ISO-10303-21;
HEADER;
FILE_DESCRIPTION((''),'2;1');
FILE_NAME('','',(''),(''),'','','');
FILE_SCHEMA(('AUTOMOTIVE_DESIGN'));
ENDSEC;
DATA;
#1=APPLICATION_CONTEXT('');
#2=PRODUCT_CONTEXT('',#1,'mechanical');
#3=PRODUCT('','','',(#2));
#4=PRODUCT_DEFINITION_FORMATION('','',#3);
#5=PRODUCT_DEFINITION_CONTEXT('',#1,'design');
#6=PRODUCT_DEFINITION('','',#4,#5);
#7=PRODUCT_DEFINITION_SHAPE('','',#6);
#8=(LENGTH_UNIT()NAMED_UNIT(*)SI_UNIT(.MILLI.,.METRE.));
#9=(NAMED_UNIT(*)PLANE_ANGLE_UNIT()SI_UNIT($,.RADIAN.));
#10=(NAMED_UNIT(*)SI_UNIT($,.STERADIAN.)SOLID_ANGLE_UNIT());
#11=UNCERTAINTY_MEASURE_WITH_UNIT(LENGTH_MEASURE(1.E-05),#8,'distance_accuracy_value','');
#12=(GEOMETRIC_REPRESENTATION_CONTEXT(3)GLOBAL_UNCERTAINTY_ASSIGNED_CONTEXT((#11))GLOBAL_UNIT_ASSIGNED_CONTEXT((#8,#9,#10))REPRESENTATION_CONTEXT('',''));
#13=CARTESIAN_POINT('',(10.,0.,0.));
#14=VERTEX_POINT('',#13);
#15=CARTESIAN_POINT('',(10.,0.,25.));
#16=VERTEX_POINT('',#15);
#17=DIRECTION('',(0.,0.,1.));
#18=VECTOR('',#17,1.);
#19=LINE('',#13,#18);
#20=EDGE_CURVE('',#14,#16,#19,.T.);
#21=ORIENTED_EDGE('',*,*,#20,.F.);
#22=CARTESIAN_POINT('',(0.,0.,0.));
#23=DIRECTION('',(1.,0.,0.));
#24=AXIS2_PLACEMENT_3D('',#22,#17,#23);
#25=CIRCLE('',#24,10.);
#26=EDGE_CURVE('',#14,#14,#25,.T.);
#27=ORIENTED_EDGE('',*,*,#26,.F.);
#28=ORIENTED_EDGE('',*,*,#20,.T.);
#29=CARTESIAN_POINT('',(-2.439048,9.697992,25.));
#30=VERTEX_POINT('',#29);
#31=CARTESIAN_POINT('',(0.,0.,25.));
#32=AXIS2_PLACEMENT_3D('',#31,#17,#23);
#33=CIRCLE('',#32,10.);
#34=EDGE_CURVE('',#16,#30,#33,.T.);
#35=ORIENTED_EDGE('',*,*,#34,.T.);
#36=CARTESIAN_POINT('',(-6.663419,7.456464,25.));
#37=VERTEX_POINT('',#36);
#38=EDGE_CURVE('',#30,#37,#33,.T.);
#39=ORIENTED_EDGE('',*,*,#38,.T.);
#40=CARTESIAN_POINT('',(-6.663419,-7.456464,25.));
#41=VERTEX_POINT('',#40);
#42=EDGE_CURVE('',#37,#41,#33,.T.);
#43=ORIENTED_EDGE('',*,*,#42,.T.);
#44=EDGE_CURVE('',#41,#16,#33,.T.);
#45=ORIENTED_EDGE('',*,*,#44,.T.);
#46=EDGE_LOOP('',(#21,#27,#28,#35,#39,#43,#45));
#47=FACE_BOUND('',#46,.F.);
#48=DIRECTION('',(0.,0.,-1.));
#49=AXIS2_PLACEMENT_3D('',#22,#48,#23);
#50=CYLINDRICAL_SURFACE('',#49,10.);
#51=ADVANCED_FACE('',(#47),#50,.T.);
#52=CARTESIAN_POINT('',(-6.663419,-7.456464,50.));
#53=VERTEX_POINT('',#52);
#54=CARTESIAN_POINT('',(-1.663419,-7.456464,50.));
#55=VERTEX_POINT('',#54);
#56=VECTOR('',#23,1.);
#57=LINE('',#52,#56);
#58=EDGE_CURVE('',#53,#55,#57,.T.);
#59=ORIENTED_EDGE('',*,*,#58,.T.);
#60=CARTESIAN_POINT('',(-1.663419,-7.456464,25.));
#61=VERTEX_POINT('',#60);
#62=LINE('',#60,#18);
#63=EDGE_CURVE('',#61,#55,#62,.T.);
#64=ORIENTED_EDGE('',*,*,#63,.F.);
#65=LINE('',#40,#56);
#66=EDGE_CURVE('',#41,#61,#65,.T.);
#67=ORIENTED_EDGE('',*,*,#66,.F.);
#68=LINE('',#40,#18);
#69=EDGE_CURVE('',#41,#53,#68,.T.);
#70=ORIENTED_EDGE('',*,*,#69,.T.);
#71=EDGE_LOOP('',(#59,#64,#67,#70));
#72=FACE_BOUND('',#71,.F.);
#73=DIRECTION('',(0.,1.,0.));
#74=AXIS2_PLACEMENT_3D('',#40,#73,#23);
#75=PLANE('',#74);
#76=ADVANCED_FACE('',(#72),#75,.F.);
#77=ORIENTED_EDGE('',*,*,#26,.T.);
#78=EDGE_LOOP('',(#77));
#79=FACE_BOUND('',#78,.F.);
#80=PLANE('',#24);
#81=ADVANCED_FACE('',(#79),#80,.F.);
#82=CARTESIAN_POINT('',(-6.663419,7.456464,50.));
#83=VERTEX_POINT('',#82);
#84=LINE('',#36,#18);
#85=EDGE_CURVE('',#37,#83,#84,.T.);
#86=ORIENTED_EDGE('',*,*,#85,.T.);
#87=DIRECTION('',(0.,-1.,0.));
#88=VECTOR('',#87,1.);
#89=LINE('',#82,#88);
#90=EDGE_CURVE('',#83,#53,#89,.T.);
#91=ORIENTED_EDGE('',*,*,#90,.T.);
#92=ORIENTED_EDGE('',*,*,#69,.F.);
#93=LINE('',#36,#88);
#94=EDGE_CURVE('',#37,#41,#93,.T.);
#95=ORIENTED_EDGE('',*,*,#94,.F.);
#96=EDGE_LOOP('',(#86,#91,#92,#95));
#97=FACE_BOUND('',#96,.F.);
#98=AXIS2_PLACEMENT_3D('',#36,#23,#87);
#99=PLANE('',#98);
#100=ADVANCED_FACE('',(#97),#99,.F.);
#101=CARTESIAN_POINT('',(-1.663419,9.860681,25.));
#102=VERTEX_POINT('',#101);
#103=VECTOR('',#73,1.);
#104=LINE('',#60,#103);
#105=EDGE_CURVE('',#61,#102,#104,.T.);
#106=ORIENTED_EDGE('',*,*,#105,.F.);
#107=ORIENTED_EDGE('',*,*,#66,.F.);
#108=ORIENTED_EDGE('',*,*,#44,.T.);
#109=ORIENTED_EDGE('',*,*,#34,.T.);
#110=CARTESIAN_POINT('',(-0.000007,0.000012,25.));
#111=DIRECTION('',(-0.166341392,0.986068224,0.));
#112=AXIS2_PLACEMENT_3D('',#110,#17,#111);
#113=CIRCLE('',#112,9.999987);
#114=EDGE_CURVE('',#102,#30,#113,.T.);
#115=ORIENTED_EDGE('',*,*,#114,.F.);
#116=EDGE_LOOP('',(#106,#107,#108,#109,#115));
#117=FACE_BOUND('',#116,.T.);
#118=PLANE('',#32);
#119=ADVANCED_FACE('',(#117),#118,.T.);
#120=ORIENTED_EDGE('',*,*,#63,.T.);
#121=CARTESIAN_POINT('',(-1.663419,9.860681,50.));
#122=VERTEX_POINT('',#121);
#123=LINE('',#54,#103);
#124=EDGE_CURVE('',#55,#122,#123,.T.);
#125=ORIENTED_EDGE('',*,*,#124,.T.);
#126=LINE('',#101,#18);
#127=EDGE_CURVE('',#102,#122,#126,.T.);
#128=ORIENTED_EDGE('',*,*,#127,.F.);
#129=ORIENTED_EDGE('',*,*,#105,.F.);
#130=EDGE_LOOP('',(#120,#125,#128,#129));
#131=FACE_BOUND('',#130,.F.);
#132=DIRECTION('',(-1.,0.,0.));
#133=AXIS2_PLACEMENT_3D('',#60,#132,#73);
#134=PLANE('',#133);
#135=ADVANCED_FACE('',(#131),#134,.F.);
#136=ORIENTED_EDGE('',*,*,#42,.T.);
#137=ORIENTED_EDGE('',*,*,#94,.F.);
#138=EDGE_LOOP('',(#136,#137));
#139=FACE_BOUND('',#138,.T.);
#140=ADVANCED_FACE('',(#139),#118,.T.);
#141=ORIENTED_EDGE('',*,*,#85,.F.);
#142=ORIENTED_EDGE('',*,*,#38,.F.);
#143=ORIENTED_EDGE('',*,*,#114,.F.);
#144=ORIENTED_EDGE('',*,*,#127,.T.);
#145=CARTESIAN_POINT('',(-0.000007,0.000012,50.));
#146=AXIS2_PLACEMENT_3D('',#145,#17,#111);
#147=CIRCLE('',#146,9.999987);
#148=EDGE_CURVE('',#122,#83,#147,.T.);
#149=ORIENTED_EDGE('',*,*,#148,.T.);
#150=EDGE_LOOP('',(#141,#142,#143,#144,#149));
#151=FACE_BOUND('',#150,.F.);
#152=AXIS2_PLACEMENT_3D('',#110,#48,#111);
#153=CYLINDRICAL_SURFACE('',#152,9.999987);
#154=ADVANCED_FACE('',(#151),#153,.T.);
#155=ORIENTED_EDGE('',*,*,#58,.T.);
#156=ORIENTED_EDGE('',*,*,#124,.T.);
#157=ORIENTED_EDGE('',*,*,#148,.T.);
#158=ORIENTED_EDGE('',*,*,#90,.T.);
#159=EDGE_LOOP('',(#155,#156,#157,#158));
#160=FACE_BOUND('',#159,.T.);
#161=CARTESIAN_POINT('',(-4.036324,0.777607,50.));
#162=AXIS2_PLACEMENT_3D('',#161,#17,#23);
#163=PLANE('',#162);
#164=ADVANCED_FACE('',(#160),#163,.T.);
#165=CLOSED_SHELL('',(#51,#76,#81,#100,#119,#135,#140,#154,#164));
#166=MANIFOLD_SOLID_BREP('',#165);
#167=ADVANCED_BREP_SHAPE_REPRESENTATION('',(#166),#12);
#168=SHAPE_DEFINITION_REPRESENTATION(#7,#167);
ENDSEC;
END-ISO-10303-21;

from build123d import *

# Parameters (mm, degrees)
F0_R     = 10
F1_DEPTH = 25
F3_DEPTH = 25


with BuildPart() as f1:
    # F0 (on Top) → F1 (new body)
    with BuildSketch(Plane.XY):
        Circle(F0_R)
    extrude(amount=F1_DEPTH)

    # F2 (on face) → F3 (join)
    with BuildSketch(Plane.XY.offset(25)):
        with BuildLine():
            Line((-6.663419, 7.456464), (-6.663419, -7.456464))
            Line((-6.663419, -7.456464), (-1.663419, -7.456464))
            Line((-1.663419, -7.456464), (-1.663419, 9.860681))
            ThreePointArc((-1.663419, 9.860681), (-4.333489, 9.012263), (-6.663419, 7.456464))
        make_face()
    extrude(amount=F3_DEPTH)


solid = f1.part
